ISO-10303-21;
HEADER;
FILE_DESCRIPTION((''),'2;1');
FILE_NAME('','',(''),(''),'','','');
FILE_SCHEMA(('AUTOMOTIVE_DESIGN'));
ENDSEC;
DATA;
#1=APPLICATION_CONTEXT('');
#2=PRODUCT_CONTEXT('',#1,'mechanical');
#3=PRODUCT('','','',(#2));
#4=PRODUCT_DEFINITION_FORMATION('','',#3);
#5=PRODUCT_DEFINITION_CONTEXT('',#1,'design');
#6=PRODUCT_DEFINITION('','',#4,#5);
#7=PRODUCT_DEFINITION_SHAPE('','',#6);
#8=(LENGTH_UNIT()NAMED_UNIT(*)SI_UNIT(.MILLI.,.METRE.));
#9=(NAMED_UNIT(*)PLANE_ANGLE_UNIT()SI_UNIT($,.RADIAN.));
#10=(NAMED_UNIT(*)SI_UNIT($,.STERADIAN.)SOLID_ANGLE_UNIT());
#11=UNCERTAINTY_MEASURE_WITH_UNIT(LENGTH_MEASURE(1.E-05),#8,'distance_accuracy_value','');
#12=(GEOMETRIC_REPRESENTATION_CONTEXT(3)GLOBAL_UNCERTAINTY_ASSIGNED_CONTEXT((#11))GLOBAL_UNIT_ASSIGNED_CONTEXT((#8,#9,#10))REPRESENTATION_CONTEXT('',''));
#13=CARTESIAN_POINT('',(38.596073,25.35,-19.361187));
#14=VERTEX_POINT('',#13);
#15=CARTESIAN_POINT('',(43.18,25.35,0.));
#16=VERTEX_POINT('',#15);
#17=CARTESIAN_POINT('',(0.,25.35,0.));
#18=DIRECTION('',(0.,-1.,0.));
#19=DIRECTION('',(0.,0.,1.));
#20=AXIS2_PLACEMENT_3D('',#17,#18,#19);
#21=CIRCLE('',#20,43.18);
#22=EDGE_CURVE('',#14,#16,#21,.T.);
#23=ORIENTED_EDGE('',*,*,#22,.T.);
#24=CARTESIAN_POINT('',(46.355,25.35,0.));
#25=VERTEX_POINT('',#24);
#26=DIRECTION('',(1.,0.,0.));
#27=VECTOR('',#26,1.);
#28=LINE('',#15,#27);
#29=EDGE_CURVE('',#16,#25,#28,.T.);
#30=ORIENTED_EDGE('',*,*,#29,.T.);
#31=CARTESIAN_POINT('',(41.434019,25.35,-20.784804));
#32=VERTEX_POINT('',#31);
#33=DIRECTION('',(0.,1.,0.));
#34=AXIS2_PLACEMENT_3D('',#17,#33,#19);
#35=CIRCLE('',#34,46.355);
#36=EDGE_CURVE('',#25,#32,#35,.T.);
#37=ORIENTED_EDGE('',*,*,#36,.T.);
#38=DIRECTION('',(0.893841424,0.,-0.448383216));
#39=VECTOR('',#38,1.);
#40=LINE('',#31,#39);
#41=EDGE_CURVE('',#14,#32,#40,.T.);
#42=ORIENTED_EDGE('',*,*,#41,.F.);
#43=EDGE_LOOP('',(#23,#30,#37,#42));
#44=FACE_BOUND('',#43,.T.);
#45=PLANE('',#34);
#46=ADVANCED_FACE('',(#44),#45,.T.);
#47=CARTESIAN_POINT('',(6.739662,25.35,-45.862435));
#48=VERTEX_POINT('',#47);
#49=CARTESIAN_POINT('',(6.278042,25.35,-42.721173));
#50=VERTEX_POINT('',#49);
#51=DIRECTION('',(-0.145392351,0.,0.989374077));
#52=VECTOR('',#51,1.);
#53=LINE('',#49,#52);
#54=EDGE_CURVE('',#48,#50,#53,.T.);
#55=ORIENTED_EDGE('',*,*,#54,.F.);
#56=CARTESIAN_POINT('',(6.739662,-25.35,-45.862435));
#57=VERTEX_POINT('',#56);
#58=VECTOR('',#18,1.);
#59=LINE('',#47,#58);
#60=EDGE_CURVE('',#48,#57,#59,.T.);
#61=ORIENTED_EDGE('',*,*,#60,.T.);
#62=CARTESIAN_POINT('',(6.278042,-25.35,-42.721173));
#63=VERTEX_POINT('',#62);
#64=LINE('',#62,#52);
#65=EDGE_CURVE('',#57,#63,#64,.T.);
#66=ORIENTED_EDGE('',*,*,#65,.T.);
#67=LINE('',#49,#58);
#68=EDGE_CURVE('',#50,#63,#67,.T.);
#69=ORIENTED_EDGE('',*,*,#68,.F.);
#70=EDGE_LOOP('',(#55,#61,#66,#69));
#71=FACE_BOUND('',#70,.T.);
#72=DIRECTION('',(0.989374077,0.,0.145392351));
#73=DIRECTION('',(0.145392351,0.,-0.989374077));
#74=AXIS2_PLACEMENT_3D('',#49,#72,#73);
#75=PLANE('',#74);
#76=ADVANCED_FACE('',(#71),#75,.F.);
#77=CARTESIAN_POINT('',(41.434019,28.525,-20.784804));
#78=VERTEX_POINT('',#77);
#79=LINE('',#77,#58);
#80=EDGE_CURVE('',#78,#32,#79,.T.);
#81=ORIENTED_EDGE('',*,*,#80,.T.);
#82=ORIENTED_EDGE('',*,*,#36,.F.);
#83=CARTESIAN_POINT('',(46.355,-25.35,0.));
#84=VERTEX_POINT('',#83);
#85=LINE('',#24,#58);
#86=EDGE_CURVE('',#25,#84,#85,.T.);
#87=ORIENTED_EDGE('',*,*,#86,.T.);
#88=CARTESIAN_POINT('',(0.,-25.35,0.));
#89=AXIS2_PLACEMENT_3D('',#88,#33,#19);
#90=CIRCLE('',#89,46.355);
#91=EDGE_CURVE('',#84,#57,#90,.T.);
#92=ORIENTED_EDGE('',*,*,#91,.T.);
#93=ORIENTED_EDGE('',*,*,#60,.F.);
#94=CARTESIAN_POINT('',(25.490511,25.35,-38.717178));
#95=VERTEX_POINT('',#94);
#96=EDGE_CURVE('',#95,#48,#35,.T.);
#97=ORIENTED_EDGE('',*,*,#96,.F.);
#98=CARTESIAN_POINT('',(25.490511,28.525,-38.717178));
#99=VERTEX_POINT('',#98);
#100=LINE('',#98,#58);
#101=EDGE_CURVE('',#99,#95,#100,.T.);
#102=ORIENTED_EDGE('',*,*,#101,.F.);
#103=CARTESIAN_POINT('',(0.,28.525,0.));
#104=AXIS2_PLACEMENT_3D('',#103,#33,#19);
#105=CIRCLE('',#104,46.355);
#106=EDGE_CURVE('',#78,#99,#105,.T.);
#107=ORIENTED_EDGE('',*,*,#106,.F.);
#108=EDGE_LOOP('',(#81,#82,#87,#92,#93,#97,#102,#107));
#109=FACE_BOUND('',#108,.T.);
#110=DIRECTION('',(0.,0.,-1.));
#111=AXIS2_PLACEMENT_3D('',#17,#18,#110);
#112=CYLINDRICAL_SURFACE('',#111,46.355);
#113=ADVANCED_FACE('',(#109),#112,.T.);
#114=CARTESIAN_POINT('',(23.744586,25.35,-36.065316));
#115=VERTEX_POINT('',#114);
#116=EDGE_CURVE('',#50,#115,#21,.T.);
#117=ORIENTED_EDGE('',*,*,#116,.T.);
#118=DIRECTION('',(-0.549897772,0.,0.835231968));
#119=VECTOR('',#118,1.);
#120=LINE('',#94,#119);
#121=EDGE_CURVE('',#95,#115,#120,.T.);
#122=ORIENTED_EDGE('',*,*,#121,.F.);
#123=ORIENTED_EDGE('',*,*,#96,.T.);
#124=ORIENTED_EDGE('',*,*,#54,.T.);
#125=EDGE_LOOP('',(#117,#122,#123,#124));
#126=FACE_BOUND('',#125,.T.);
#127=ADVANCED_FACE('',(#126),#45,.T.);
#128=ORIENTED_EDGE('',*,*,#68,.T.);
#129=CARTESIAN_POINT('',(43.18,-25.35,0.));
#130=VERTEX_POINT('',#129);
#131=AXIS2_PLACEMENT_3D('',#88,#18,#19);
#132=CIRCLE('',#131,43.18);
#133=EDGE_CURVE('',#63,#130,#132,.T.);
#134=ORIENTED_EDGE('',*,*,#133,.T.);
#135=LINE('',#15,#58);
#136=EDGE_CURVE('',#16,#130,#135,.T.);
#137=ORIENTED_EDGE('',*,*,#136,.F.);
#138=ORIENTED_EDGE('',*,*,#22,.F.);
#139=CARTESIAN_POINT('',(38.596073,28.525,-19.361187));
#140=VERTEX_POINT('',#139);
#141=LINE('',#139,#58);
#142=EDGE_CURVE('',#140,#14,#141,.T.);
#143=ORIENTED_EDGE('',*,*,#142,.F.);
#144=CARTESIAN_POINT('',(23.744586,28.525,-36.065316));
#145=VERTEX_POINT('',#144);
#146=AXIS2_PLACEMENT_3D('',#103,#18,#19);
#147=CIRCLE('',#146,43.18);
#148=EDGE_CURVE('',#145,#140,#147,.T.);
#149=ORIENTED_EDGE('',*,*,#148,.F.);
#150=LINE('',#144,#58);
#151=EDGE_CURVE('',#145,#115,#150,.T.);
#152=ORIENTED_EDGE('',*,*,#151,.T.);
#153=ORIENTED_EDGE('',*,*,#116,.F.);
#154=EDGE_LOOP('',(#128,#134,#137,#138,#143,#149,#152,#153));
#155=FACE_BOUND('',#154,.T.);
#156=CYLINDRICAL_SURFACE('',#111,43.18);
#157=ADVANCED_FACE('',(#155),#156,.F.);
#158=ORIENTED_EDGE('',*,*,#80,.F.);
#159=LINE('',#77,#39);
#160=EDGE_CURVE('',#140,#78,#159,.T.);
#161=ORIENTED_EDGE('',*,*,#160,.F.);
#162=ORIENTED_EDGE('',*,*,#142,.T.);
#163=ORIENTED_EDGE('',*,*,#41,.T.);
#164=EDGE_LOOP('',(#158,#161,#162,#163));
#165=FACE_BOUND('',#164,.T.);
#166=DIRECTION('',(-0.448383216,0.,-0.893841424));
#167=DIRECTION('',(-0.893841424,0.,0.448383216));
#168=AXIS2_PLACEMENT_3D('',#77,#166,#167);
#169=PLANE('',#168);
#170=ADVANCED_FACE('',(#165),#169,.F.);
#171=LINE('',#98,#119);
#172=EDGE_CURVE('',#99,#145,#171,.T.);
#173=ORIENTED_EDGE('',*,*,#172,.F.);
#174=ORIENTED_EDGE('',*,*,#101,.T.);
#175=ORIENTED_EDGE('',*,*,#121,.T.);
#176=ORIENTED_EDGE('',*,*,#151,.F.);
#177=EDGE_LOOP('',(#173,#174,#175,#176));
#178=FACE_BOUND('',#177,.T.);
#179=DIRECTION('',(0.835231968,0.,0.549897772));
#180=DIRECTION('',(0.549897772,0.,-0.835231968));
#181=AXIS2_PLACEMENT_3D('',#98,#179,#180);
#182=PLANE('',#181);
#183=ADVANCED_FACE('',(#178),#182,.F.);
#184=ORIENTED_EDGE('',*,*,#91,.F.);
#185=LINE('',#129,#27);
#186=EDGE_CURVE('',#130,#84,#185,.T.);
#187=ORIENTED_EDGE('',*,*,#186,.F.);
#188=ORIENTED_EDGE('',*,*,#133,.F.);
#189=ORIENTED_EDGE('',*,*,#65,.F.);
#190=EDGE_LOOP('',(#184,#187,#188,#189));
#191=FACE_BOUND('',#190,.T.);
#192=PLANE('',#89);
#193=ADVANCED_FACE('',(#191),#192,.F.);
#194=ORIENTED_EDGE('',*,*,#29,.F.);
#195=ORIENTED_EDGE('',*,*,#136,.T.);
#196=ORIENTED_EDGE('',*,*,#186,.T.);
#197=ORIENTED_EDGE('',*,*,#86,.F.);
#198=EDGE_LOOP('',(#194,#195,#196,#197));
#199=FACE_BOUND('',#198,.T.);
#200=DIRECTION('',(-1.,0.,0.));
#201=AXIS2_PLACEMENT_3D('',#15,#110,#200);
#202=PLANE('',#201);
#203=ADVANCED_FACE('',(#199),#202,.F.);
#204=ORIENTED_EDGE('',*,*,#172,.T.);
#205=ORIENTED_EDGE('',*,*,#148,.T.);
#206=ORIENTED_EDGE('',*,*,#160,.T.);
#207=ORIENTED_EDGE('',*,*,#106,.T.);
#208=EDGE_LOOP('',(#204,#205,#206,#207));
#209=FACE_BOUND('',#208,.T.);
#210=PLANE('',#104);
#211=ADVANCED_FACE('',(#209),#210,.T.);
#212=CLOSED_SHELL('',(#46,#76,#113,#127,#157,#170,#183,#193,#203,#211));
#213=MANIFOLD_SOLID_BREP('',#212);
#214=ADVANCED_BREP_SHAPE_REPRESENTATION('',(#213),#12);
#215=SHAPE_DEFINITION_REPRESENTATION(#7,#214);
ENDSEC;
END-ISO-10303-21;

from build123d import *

# Parameters (mm, degrees)
BOSS_EXTRUDE1_DEPTH = 25.3500001
BOSS_EXTRUDE2_START = 3.175
BOSS_EXTRUDE2_DEPTH = 3.175


with BuildPart() as part:
    # Sketch1 → Boss-Extrude1 (new, symmetric)
    with BuildSketch(Plane(origin=(0, 0, 0), x_dir=(1, 0, 0), z_dir=(0, 1, 0))):
        with BuildLine():
            Line((6.278041701, 42.721172648), (6.739662414, 45.862435342))
            ThreePointArc((6.739662414, 45.862435342), (35.079930703, 30.30155915), (46.355, 0))
            Line((46.355, 0), (43.18, 0))
            ThreePointArc((43.18, 0), (32.677195723, 28.226109893), (6.278041701, 42.721172648))
        make_face()
    extrude(amount=BOSS_EXTRUDE1_DEPTH, both=True)

    # Sketch4 → Boss-Extrude2 (add)
    with BuildSketch(Plane(origin=(0, 25.3500001, 0), x_dir=(1, 0, 0), z_dir=(0, 1, 0)).offset(BOSS_EXTRUDE2_START)):
        with BuildLine():
            Line((41.434019217, 20.784803982), (38.596072695, 19.361187271))
            ThreePointArc((38.596072695, 19.361187271), (32.269899408, 28.690869492), (23.744585805, 36.065316371))
            Line((23.744585805, 36.065316371), (25.490511231, 38.717177869))
            ThreePointArc((25.490511231, 38.717177869), (34.642686129, 30.800492249), (41.434019217, 20.784803982))
        make_face()
    extrude(amount=-BOSS_EXTRUDE2_DEPTH)


solid = part.part
